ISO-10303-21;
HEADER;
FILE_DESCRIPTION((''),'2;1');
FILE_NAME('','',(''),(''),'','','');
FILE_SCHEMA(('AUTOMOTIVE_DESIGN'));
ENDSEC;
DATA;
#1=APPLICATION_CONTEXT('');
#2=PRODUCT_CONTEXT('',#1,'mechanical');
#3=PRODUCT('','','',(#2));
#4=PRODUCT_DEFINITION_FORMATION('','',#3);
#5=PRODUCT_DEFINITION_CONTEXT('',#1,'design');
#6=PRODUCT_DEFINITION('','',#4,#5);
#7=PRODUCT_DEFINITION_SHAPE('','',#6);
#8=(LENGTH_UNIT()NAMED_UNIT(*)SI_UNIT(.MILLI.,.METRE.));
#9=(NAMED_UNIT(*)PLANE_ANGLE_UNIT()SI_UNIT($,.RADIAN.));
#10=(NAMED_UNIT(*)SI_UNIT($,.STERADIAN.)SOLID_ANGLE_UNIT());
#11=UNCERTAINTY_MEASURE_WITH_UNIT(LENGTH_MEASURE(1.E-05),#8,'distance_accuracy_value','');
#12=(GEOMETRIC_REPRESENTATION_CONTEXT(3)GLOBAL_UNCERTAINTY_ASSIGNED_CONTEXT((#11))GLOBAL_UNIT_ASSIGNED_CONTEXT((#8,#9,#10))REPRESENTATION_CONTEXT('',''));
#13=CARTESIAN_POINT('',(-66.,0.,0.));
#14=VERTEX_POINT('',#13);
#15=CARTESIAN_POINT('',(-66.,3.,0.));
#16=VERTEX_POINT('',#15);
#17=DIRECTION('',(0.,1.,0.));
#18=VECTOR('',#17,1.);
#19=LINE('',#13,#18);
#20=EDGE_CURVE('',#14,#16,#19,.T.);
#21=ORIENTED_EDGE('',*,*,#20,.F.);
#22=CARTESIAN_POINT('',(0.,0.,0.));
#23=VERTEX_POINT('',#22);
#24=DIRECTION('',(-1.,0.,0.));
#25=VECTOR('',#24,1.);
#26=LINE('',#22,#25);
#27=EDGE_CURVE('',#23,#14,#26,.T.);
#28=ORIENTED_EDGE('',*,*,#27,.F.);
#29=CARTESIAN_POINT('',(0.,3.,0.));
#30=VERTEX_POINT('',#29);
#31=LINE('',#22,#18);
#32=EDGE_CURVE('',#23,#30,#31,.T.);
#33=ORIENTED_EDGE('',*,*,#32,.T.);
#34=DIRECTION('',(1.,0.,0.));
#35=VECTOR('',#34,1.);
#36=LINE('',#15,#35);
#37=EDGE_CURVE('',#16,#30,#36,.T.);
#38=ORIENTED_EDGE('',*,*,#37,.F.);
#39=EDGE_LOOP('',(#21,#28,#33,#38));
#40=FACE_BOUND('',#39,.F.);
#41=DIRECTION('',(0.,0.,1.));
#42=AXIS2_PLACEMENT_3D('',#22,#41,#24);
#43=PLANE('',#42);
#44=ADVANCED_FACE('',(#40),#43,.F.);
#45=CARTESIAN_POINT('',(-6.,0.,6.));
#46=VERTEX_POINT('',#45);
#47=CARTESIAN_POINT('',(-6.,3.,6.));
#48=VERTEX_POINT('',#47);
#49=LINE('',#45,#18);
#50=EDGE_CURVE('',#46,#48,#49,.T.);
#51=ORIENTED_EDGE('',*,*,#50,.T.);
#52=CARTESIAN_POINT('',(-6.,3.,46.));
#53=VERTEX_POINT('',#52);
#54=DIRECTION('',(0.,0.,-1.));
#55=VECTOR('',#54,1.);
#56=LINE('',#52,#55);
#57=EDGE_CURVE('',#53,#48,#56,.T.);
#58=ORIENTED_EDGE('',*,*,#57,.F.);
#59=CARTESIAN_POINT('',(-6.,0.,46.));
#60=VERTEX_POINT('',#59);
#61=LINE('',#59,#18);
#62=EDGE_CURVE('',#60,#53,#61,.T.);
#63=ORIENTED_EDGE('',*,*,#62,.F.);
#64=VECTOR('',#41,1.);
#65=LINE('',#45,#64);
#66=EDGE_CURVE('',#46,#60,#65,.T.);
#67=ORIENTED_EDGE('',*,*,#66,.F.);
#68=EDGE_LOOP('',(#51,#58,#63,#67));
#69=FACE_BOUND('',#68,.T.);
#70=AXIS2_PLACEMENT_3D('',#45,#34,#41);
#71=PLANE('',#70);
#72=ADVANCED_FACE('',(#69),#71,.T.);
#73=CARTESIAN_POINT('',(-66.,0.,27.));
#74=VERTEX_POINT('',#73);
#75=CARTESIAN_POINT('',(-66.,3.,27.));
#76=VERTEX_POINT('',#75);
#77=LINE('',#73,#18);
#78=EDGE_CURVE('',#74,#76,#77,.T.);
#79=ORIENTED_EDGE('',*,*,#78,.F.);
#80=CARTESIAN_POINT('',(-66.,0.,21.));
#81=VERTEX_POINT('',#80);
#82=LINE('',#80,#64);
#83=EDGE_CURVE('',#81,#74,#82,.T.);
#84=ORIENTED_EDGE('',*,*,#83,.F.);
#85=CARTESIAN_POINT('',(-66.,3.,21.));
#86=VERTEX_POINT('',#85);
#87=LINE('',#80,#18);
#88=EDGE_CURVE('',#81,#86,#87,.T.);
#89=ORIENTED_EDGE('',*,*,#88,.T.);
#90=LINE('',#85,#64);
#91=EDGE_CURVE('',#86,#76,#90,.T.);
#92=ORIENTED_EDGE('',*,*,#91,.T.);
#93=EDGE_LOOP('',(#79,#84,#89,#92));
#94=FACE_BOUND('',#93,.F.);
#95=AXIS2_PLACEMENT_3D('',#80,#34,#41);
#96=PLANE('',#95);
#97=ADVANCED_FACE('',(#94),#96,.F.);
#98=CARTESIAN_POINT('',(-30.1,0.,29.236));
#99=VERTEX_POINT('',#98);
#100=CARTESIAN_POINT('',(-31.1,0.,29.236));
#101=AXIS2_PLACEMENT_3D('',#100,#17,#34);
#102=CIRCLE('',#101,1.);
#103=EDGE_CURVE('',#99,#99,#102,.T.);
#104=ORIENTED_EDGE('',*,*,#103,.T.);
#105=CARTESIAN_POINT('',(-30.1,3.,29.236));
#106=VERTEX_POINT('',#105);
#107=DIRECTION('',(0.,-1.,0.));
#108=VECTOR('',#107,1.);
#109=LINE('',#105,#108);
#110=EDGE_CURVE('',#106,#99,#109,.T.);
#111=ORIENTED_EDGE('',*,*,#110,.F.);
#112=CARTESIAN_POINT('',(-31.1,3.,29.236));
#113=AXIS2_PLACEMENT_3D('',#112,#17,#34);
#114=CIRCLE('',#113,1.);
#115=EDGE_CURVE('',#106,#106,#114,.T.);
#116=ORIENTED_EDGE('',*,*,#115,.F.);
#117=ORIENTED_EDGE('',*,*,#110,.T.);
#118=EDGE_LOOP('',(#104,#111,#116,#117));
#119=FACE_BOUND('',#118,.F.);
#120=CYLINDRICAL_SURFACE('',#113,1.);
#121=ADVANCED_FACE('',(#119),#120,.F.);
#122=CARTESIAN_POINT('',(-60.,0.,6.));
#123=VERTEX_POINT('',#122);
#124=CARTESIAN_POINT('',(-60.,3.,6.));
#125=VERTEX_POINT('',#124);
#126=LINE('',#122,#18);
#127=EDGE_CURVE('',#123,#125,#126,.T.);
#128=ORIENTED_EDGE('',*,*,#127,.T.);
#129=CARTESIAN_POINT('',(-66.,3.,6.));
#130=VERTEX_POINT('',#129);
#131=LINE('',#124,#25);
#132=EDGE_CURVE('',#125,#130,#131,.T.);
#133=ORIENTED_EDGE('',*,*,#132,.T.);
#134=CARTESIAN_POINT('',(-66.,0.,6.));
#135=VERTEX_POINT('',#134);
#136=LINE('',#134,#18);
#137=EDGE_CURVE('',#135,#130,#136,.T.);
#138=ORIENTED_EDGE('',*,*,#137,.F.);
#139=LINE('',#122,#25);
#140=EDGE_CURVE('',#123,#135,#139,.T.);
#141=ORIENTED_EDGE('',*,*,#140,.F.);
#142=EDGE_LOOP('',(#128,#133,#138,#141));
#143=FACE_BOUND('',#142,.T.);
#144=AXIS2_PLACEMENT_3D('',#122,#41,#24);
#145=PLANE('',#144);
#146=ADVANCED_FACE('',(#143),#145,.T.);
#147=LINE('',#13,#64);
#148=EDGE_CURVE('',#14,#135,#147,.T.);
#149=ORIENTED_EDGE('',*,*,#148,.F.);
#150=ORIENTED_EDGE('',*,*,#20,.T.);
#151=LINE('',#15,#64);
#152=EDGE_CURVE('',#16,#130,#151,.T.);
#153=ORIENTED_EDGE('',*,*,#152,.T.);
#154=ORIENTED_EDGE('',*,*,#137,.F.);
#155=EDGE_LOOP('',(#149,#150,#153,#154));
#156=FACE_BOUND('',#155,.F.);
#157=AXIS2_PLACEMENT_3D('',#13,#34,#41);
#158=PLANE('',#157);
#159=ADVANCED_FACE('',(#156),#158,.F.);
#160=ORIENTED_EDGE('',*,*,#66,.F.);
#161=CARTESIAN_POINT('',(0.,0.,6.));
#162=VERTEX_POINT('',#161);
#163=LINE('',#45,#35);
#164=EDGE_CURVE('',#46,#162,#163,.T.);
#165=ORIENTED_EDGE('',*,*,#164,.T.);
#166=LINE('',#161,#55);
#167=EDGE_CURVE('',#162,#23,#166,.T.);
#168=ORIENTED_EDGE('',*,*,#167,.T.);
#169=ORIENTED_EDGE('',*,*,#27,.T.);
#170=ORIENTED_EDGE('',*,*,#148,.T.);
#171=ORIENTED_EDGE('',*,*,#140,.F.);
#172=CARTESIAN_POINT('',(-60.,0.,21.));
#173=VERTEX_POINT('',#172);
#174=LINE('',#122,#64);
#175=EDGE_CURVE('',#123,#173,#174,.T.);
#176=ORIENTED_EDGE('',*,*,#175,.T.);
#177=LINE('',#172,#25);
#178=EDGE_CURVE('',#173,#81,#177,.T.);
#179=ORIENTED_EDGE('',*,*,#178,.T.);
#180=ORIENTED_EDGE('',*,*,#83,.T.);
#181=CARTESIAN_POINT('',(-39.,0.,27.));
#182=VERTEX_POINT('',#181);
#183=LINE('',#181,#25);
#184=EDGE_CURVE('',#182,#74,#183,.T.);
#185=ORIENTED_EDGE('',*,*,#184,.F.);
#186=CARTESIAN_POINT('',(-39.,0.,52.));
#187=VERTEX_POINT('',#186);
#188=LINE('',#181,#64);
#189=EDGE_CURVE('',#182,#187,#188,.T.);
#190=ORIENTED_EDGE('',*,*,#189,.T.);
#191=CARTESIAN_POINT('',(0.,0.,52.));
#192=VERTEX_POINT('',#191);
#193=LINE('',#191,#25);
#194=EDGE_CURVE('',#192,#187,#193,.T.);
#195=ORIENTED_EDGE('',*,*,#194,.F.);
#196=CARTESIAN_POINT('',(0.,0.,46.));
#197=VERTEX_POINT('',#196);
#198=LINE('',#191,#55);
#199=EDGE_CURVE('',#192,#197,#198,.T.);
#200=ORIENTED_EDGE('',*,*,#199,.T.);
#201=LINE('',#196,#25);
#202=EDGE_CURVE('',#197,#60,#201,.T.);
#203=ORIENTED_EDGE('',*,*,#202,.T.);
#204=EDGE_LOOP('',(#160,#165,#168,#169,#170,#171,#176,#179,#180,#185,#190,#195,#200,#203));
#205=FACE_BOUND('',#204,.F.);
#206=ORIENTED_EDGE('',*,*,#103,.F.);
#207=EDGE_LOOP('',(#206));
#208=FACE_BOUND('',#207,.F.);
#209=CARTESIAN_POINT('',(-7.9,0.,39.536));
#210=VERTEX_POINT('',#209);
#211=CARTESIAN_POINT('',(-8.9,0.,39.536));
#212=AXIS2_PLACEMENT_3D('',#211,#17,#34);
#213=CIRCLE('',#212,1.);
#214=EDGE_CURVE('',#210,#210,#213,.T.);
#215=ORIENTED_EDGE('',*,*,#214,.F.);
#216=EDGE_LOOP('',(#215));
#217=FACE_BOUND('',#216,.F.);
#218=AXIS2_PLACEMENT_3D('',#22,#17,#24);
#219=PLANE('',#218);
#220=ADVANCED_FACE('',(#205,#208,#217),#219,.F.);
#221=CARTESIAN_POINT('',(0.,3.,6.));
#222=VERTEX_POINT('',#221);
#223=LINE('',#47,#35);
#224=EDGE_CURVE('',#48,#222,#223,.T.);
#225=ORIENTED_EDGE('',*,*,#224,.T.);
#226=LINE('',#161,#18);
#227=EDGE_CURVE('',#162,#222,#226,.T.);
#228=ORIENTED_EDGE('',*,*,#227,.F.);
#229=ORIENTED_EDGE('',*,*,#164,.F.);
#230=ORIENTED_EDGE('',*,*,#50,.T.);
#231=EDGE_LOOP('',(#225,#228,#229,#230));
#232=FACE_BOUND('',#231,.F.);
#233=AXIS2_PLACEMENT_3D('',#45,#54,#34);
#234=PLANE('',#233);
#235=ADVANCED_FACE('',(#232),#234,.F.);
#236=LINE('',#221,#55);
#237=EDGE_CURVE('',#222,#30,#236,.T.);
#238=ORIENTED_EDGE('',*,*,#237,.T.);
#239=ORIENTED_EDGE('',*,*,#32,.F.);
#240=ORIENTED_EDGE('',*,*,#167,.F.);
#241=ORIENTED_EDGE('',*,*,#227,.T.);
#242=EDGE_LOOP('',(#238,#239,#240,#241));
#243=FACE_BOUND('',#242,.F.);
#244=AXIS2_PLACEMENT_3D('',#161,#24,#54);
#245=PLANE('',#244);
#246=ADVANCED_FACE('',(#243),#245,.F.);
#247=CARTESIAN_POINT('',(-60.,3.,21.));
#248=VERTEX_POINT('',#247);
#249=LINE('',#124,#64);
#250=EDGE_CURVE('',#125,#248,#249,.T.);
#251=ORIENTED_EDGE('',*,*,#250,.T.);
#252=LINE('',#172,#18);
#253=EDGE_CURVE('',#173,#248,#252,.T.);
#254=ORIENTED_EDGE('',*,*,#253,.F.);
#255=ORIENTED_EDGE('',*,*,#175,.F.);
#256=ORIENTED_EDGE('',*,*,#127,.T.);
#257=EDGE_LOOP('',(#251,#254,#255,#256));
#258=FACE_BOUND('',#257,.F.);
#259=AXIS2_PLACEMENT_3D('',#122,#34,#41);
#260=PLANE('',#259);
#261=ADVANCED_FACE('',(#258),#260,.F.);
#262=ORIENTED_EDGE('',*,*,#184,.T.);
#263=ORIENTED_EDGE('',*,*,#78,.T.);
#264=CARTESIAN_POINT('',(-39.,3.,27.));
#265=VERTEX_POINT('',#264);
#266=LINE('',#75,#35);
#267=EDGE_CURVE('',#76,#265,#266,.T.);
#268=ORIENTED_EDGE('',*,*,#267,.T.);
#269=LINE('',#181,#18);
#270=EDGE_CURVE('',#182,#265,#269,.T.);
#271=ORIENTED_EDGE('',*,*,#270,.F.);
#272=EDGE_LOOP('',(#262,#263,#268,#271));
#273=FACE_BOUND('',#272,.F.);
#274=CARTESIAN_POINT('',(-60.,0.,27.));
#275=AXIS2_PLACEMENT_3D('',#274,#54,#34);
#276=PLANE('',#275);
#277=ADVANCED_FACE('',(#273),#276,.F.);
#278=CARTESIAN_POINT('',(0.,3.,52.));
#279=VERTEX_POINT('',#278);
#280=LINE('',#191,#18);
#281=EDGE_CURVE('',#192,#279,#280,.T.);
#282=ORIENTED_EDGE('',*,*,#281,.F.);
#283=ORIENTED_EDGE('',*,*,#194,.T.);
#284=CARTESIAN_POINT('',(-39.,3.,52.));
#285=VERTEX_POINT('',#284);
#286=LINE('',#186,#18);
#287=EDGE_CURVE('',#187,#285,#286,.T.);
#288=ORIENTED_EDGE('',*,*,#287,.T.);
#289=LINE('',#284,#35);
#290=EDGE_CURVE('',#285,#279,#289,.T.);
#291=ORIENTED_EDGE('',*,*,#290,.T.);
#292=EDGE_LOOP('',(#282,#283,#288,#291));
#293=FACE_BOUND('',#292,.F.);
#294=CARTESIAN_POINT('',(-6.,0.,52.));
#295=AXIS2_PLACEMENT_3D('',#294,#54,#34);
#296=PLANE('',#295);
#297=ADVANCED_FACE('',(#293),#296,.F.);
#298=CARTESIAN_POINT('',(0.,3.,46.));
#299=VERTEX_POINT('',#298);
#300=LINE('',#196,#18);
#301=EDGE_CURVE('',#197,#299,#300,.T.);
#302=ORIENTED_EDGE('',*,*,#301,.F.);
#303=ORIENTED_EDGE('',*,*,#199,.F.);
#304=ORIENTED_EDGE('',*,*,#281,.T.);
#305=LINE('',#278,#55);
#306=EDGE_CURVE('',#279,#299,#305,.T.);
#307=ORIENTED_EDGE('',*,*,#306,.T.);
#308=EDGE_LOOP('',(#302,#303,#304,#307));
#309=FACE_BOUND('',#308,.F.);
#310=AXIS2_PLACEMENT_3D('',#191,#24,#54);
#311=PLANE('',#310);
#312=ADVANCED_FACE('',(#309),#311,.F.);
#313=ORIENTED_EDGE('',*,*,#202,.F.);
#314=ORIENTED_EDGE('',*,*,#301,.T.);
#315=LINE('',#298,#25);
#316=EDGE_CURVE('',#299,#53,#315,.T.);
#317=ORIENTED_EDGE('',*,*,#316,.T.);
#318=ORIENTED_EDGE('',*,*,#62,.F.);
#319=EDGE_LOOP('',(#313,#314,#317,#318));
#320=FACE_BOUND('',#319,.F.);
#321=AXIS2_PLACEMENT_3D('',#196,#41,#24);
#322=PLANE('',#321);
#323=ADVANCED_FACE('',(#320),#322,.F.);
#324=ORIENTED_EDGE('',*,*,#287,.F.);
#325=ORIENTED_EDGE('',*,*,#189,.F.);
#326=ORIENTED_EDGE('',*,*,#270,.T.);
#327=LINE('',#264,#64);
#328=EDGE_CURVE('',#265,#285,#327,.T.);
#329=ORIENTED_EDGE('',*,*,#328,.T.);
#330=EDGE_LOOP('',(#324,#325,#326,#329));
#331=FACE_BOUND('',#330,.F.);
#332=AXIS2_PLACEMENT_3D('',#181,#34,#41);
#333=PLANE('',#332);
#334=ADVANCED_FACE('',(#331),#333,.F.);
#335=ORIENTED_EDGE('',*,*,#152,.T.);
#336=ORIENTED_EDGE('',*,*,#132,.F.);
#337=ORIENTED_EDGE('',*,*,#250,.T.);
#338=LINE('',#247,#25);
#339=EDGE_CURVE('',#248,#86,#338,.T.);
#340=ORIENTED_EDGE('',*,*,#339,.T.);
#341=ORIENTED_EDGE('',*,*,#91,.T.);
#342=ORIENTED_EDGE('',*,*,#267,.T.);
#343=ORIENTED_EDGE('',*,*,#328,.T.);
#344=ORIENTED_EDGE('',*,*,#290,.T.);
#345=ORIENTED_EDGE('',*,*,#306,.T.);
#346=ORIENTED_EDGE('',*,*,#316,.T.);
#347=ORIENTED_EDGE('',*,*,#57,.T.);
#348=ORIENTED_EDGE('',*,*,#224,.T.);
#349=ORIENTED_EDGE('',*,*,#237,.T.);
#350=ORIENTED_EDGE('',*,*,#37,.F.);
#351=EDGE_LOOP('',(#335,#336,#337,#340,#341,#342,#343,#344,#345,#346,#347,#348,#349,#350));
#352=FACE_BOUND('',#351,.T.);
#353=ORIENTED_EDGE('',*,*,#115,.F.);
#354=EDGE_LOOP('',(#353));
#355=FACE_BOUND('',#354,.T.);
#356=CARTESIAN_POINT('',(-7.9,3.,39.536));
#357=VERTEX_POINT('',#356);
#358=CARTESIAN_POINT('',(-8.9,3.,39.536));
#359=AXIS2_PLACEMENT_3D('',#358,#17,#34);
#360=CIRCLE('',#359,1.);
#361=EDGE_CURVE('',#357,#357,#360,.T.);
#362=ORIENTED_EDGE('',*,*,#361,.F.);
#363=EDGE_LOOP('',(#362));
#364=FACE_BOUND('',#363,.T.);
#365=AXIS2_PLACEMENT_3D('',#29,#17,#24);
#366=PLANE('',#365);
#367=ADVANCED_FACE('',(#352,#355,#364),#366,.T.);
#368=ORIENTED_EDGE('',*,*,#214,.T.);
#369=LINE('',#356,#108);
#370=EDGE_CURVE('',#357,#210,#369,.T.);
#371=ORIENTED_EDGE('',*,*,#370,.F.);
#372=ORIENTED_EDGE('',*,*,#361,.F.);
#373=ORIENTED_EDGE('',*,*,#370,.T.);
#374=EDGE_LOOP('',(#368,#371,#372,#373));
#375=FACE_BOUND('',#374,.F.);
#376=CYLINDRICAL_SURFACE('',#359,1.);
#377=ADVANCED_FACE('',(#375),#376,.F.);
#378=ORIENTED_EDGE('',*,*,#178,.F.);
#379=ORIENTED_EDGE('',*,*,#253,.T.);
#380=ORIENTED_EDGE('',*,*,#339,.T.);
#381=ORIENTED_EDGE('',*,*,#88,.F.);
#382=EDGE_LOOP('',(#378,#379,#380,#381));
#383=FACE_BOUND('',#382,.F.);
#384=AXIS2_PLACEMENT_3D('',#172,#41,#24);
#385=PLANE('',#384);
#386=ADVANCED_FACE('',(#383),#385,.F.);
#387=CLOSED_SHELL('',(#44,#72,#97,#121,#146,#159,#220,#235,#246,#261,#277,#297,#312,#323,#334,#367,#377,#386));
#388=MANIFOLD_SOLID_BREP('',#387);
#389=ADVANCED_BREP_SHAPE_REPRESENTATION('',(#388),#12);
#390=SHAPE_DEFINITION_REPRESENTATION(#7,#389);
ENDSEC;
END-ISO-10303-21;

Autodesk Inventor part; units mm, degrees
ref_plane "YZ Plane" through (0, 0, 0) normal (1, 0, 0) x (0, 1, 0)
ref_plane "XZ Plane" through (0, 0, 0) normal (0, 1, 0) x (-1, 0, 0)
ref_plane "XY Plane" through (0, 0, 0) normal (0, 0, 1) x (1, 0, 0)
sketch "Sketch1" plane through (0, 0, 0) normal (0, 1, 0) x (-1, 0, 0)
  line L0 (0, 0) -> (60, 0)
  line L1 (66, 0) -> (66, 6)
  line L2 (66, 27) -> (60, 27)
  line L3 (0, 27) -> (0, 6) construction
  line L4 (66, 27) -> (60, 27)
  line L5 (60, 27) -> (60, 21) construction
  line L6 (60, 21) -> (66, 21)
  line L7 (66, 21) -> (66, 27)
  line L8 (66, 0) -> (60, 0)
  line L9 (60, 0) -> (60, 6) construction
  line L10 (60, 6) -> (66, 6)
  line L11 (66, 6) -> (66, 0)
  line L12 (66, 21) -> (66, 27)
  line L13 (60, 27) -> (6, 27)
  line L14 (60, 0) -> (66, 0)
  line L15 (66, 6) -> (66, 21) construction
  line L16 (60, 6) -> (60, 21)
  line L17 (0, 0) -> (6, 0)
  line L18 (6, 0) -> (6, 6) construction
  line L19 (6, 6) -> (0, 6)
  line L20 (0, 6) -> (0, 0)
  line L21 (6, 6) -> (6, 27)
  line L22 (6, 27) -> (0, 27) construction
  line L23 (0, 6) -> (0, 0)
  line L24 (6, 27) -> (39, 27)
  line L25 (39, 27) -> (39, 52)
  line L26 (39, 52) -> (6, 52)
  line L27 (6, 52) -> (0, 52)
  line L28 (0, 52) -> (0, 46)
  line L29 (0, 46) -> (6, 46)
  line L30 (6, 46) -> (6, 52) construction
  line L31 (6, 46) -> (6, 27)
  dimension "d0" = 66
  dimension "d1" = 27
  dimension "d2" = 6
  dimension "d3" = 6
  dimension "d4" = 6
  dimension "d5" = 6
  dimension "d6" = 6
  dimension "d7" = 6
  dimension "d10" = 33
  dimension "d11" = 25
  dimension "d12" = 6
  dimension "d13" = 6
extrude "Extrusion1" add sketch "Sketch1" along normal blind 3
sketch "Sketch2" plane through (0, 3, 0) normal (0, 1, 0) x (1, 0, 0)
  circle A0 centre (-8.9, -39.536) radius 1
  line L0 (0, -46) -> (-6, -46) projected
  line L1 (-6, -46) -> (-6, -6) projected
  circle A1 centre (-31.1, -29.236) radius 1
  point P0 (0, 0)
  dimension "d14" = 2
  dimension "d15" = 6.464
  dimension "d16" = 2.9
  dimension "d19" = 2
  dimension "d20" = 22.2
  dimension "d21" = 10.3
extrude "Extrusion2" cut sketch "Sketch2" against normal through all
properties part number "thumper-bumper-sidewall3-v2"
